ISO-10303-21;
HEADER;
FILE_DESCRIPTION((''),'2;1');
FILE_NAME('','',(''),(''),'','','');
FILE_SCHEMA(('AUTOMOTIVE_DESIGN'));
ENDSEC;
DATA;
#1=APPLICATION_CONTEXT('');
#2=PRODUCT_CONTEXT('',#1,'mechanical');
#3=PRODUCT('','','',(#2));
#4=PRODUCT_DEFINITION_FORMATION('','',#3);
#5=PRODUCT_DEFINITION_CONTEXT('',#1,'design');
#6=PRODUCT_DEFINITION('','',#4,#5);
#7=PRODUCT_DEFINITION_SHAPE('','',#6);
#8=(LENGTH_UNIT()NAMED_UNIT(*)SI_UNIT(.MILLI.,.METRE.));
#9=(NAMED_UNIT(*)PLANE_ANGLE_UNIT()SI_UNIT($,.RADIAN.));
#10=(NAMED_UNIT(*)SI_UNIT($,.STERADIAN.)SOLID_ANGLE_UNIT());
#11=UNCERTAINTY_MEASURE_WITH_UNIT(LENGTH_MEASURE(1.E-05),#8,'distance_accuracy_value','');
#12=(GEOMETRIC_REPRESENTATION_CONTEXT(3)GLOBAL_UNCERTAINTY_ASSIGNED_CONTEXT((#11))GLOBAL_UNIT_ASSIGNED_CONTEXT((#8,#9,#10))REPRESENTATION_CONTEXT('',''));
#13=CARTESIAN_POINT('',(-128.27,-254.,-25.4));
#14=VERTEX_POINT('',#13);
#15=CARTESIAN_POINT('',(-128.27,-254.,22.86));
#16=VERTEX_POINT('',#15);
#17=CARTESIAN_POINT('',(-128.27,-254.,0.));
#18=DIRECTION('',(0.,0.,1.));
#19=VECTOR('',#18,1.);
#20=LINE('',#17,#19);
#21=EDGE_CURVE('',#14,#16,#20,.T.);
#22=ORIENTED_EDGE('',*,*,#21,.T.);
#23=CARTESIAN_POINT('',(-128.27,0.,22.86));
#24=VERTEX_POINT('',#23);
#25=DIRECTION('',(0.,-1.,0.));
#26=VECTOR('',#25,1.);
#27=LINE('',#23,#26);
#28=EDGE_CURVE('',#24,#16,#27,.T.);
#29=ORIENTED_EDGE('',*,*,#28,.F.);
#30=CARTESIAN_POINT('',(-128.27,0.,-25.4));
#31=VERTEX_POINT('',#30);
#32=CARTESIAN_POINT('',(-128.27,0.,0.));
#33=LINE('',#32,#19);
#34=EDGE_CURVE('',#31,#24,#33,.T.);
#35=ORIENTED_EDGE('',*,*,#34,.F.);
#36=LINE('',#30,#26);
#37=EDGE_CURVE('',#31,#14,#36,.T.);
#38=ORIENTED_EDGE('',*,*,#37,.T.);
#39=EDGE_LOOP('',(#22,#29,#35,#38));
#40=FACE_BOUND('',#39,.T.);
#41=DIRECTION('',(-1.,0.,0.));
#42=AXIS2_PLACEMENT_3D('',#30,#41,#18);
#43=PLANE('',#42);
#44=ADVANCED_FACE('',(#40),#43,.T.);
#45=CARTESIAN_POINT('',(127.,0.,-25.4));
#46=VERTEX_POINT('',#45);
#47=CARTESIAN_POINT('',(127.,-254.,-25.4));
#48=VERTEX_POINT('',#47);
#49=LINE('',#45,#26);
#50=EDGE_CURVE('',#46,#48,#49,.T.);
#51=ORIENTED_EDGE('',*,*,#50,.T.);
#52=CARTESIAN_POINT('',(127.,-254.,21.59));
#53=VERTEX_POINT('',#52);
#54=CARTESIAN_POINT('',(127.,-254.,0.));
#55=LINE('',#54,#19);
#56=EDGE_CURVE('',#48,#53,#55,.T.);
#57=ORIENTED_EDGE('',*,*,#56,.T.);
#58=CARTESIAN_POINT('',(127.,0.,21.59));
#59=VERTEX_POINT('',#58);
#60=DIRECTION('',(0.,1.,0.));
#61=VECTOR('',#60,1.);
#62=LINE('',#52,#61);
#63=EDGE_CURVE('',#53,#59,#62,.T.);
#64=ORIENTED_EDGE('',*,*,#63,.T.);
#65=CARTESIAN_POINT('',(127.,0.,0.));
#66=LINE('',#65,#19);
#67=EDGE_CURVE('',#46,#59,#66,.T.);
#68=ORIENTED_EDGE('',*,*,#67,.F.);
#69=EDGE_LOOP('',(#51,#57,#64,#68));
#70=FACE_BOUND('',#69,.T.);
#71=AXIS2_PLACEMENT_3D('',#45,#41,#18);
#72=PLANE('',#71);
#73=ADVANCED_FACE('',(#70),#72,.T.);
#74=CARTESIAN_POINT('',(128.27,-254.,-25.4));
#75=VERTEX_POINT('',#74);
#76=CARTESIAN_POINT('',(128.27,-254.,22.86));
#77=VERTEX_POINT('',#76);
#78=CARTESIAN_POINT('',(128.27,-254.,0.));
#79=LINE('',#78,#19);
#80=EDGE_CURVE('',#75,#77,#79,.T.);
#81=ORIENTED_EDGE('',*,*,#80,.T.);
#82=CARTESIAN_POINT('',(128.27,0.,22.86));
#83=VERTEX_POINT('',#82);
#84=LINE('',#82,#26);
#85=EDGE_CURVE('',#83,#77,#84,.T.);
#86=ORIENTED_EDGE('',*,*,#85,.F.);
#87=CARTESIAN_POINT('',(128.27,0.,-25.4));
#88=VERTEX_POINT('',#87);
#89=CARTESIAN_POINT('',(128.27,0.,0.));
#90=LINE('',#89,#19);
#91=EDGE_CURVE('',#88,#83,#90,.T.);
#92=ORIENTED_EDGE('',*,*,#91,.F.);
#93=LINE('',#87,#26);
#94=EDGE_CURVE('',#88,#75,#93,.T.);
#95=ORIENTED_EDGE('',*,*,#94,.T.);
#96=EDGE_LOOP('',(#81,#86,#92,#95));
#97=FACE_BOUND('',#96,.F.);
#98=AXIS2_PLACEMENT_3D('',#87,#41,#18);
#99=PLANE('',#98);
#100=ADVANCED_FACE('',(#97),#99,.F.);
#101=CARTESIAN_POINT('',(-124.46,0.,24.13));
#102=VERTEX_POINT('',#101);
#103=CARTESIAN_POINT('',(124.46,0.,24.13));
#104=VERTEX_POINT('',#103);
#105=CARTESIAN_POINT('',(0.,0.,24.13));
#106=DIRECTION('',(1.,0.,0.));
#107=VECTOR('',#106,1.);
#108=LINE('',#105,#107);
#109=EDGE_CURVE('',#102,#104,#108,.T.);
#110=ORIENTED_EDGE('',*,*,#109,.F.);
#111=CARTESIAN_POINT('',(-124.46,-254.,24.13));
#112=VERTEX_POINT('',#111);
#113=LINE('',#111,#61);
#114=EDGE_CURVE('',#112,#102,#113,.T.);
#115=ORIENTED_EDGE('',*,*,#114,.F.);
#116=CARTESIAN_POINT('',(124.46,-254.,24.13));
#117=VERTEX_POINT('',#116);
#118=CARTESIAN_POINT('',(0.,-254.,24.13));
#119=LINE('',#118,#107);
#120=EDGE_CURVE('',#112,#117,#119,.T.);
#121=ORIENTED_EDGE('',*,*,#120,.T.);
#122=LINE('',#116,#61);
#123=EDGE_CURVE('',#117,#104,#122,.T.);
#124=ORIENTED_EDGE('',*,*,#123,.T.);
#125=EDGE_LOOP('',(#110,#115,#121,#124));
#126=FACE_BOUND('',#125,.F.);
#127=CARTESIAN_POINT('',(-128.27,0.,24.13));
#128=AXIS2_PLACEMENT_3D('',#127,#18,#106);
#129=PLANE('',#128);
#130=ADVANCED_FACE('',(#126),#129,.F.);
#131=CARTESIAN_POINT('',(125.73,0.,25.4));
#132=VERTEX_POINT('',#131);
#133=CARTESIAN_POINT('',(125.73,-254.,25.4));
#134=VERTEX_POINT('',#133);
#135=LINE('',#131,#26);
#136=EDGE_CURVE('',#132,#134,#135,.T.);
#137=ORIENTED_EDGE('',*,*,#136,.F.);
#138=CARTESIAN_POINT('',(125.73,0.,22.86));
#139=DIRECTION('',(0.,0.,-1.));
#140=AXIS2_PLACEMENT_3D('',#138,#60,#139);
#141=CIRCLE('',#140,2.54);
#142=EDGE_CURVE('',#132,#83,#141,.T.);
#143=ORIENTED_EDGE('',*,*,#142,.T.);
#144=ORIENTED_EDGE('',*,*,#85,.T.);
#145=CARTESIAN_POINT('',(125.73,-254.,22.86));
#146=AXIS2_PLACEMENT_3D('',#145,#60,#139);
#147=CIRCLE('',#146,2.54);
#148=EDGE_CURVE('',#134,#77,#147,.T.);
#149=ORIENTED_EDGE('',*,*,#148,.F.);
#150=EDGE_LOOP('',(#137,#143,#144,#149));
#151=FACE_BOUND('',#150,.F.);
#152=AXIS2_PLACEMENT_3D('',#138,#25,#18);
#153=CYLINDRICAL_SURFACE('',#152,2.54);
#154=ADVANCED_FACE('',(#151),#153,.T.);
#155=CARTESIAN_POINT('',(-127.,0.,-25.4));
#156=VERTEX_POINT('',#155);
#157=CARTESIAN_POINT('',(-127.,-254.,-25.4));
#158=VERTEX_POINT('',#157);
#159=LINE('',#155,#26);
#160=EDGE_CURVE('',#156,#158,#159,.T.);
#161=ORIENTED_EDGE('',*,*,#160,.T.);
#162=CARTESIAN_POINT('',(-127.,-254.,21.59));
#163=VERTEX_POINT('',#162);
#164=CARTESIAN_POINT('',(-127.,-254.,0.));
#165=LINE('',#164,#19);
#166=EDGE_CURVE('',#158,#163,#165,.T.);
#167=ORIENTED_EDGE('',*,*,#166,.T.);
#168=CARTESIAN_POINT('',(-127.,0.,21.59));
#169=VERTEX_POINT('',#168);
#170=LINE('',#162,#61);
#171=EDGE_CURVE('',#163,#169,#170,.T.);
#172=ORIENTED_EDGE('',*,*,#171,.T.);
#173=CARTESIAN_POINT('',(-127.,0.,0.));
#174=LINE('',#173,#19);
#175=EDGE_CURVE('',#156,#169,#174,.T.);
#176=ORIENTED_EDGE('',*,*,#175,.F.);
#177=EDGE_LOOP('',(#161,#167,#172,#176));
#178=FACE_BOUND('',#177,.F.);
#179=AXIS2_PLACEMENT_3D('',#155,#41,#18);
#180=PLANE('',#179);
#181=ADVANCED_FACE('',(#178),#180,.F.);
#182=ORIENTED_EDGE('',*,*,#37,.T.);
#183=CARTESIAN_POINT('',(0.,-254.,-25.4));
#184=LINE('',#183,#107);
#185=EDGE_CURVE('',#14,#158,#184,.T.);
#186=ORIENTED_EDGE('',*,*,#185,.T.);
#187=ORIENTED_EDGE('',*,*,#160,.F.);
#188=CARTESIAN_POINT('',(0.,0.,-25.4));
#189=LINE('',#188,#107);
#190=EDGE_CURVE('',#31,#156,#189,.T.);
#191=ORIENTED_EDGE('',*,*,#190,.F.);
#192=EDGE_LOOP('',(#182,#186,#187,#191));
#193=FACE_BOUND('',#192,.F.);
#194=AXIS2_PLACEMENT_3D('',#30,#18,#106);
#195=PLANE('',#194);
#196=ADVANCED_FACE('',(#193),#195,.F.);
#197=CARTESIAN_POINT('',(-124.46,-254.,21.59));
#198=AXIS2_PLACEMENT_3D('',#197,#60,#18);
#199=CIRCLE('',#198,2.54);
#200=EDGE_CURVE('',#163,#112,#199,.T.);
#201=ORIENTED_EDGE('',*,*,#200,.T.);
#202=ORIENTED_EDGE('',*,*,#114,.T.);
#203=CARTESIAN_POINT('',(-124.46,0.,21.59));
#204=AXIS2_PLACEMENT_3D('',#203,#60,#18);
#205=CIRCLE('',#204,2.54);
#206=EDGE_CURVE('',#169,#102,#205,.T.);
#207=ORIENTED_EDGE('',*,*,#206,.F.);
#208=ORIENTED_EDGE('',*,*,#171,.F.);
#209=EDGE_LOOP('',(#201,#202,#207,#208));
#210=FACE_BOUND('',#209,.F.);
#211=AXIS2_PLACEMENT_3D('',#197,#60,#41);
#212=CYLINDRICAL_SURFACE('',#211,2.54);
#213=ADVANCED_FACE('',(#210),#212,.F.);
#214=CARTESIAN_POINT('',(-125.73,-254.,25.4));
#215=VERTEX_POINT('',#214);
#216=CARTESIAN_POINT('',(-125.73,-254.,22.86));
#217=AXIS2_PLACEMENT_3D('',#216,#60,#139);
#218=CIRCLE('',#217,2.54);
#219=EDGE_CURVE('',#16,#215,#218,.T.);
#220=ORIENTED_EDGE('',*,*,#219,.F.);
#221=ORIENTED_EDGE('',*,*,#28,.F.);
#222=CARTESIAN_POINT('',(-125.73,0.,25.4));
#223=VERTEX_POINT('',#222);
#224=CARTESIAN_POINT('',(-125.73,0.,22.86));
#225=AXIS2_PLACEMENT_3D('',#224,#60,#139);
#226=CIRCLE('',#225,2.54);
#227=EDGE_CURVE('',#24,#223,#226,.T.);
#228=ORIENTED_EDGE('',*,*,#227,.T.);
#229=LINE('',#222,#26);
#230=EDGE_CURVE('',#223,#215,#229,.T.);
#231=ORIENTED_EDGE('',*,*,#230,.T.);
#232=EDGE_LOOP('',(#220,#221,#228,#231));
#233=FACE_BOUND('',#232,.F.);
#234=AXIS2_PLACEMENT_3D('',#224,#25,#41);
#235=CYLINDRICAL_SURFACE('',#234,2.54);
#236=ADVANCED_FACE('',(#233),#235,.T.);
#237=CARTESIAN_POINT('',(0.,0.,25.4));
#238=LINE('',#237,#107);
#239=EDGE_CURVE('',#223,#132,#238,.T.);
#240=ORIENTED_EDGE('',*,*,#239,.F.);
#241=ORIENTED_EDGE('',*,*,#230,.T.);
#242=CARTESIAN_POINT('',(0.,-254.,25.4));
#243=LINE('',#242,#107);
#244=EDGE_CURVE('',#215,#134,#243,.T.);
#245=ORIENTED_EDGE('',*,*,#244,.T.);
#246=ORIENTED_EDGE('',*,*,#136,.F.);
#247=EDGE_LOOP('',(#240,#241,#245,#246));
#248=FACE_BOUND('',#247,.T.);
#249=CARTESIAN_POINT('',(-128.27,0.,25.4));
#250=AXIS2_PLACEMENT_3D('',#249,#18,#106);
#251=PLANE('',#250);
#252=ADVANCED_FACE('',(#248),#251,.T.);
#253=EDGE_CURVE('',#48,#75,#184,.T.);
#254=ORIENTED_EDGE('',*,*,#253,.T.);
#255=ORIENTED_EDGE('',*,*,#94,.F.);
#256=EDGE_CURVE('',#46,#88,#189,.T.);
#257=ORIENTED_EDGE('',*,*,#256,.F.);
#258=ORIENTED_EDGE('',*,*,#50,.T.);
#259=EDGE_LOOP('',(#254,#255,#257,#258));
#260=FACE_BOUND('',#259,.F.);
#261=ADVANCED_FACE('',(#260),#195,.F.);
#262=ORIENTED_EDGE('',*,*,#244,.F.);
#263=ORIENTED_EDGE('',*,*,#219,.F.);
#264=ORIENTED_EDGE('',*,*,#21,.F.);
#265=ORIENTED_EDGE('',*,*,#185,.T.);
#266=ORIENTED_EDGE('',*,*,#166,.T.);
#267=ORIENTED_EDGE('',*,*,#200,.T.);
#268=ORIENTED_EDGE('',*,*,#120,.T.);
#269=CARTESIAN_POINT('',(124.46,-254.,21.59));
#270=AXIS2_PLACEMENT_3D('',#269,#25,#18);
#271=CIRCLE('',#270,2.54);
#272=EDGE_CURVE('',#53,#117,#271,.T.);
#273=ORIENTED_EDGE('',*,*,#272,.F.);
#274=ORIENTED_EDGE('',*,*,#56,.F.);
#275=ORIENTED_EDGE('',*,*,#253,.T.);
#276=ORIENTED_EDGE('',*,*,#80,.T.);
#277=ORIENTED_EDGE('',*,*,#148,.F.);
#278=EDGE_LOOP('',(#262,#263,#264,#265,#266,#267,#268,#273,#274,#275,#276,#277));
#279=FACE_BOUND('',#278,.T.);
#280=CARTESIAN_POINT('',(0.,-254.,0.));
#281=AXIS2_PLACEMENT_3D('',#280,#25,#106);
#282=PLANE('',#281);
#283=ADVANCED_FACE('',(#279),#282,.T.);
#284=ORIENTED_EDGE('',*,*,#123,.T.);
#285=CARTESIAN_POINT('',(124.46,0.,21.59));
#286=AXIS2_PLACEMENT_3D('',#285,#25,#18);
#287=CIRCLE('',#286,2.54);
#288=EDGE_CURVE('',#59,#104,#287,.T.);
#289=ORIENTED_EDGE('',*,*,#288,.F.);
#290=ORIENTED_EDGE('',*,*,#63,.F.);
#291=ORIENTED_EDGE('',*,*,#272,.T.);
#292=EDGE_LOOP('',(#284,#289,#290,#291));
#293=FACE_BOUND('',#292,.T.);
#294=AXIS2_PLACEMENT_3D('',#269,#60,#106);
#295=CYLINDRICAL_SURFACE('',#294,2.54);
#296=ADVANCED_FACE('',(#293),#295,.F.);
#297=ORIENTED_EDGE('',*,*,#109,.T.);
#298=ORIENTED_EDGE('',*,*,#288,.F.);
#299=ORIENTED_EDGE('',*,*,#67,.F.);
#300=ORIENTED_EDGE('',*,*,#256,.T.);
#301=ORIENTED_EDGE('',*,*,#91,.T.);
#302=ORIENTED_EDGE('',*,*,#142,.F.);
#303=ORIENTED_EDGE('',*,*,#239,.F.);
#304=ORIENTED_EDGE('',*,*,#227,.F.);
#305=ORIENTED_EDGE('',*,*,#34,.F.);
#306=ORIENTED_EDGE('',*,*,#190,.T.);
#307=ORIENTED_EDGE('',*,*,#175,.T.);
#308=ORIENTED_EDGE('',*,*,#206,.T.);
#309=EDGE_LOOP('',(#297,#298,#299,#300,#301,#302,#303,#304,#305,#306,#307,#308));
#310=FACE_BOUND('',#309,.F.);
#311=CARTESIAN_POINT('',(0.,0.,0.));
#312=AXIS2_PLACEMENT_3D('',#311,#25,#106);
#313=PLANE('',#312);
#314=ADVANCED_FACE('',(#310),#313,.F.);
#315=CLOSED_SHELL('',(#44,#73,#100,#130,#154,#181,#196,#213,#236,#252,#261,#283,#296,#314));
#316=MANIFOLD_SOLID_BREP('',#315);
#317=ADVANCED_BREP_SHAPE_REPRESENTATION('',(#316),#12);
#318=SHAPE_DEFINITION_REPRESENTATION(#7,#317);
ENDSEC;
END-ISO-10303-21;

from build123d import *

# Parameters (mm, degrees)
F0_W     = 256.54
F0_H     = 50.8
F1_DEPTH = 254
F2_T     = -1.27
F3_R     = 2.54


with BuildPart() as f1:
    # F0 (on Front) → F1 (new body)
    with BuildSketch(Plane.XZ):
        Rectangle(F0_W, F0_H)
    extrude(amount=F1_DEPTH)

    # F2
    f2_openings = [f1.faces().sort_by_distance(p)[0] for p in [
        (0, -254, 0),
        (0, -127, -25.4),
        (0, 0, 0),
    ]]
    offset(amount=F2_T, openings=f2_openings)

    # F3
    f3_edges = [f1.edges().sort_by_distance(p)[0] for p in [
        (-127, -127, 24.13),
        (127, -127, 24.13),
        (128.27, -127, 25.4),
        (-128.27, -127, 25.4),
    ]]
    fillet(f3_edges, radius=F3_R)


solid = f1.part
